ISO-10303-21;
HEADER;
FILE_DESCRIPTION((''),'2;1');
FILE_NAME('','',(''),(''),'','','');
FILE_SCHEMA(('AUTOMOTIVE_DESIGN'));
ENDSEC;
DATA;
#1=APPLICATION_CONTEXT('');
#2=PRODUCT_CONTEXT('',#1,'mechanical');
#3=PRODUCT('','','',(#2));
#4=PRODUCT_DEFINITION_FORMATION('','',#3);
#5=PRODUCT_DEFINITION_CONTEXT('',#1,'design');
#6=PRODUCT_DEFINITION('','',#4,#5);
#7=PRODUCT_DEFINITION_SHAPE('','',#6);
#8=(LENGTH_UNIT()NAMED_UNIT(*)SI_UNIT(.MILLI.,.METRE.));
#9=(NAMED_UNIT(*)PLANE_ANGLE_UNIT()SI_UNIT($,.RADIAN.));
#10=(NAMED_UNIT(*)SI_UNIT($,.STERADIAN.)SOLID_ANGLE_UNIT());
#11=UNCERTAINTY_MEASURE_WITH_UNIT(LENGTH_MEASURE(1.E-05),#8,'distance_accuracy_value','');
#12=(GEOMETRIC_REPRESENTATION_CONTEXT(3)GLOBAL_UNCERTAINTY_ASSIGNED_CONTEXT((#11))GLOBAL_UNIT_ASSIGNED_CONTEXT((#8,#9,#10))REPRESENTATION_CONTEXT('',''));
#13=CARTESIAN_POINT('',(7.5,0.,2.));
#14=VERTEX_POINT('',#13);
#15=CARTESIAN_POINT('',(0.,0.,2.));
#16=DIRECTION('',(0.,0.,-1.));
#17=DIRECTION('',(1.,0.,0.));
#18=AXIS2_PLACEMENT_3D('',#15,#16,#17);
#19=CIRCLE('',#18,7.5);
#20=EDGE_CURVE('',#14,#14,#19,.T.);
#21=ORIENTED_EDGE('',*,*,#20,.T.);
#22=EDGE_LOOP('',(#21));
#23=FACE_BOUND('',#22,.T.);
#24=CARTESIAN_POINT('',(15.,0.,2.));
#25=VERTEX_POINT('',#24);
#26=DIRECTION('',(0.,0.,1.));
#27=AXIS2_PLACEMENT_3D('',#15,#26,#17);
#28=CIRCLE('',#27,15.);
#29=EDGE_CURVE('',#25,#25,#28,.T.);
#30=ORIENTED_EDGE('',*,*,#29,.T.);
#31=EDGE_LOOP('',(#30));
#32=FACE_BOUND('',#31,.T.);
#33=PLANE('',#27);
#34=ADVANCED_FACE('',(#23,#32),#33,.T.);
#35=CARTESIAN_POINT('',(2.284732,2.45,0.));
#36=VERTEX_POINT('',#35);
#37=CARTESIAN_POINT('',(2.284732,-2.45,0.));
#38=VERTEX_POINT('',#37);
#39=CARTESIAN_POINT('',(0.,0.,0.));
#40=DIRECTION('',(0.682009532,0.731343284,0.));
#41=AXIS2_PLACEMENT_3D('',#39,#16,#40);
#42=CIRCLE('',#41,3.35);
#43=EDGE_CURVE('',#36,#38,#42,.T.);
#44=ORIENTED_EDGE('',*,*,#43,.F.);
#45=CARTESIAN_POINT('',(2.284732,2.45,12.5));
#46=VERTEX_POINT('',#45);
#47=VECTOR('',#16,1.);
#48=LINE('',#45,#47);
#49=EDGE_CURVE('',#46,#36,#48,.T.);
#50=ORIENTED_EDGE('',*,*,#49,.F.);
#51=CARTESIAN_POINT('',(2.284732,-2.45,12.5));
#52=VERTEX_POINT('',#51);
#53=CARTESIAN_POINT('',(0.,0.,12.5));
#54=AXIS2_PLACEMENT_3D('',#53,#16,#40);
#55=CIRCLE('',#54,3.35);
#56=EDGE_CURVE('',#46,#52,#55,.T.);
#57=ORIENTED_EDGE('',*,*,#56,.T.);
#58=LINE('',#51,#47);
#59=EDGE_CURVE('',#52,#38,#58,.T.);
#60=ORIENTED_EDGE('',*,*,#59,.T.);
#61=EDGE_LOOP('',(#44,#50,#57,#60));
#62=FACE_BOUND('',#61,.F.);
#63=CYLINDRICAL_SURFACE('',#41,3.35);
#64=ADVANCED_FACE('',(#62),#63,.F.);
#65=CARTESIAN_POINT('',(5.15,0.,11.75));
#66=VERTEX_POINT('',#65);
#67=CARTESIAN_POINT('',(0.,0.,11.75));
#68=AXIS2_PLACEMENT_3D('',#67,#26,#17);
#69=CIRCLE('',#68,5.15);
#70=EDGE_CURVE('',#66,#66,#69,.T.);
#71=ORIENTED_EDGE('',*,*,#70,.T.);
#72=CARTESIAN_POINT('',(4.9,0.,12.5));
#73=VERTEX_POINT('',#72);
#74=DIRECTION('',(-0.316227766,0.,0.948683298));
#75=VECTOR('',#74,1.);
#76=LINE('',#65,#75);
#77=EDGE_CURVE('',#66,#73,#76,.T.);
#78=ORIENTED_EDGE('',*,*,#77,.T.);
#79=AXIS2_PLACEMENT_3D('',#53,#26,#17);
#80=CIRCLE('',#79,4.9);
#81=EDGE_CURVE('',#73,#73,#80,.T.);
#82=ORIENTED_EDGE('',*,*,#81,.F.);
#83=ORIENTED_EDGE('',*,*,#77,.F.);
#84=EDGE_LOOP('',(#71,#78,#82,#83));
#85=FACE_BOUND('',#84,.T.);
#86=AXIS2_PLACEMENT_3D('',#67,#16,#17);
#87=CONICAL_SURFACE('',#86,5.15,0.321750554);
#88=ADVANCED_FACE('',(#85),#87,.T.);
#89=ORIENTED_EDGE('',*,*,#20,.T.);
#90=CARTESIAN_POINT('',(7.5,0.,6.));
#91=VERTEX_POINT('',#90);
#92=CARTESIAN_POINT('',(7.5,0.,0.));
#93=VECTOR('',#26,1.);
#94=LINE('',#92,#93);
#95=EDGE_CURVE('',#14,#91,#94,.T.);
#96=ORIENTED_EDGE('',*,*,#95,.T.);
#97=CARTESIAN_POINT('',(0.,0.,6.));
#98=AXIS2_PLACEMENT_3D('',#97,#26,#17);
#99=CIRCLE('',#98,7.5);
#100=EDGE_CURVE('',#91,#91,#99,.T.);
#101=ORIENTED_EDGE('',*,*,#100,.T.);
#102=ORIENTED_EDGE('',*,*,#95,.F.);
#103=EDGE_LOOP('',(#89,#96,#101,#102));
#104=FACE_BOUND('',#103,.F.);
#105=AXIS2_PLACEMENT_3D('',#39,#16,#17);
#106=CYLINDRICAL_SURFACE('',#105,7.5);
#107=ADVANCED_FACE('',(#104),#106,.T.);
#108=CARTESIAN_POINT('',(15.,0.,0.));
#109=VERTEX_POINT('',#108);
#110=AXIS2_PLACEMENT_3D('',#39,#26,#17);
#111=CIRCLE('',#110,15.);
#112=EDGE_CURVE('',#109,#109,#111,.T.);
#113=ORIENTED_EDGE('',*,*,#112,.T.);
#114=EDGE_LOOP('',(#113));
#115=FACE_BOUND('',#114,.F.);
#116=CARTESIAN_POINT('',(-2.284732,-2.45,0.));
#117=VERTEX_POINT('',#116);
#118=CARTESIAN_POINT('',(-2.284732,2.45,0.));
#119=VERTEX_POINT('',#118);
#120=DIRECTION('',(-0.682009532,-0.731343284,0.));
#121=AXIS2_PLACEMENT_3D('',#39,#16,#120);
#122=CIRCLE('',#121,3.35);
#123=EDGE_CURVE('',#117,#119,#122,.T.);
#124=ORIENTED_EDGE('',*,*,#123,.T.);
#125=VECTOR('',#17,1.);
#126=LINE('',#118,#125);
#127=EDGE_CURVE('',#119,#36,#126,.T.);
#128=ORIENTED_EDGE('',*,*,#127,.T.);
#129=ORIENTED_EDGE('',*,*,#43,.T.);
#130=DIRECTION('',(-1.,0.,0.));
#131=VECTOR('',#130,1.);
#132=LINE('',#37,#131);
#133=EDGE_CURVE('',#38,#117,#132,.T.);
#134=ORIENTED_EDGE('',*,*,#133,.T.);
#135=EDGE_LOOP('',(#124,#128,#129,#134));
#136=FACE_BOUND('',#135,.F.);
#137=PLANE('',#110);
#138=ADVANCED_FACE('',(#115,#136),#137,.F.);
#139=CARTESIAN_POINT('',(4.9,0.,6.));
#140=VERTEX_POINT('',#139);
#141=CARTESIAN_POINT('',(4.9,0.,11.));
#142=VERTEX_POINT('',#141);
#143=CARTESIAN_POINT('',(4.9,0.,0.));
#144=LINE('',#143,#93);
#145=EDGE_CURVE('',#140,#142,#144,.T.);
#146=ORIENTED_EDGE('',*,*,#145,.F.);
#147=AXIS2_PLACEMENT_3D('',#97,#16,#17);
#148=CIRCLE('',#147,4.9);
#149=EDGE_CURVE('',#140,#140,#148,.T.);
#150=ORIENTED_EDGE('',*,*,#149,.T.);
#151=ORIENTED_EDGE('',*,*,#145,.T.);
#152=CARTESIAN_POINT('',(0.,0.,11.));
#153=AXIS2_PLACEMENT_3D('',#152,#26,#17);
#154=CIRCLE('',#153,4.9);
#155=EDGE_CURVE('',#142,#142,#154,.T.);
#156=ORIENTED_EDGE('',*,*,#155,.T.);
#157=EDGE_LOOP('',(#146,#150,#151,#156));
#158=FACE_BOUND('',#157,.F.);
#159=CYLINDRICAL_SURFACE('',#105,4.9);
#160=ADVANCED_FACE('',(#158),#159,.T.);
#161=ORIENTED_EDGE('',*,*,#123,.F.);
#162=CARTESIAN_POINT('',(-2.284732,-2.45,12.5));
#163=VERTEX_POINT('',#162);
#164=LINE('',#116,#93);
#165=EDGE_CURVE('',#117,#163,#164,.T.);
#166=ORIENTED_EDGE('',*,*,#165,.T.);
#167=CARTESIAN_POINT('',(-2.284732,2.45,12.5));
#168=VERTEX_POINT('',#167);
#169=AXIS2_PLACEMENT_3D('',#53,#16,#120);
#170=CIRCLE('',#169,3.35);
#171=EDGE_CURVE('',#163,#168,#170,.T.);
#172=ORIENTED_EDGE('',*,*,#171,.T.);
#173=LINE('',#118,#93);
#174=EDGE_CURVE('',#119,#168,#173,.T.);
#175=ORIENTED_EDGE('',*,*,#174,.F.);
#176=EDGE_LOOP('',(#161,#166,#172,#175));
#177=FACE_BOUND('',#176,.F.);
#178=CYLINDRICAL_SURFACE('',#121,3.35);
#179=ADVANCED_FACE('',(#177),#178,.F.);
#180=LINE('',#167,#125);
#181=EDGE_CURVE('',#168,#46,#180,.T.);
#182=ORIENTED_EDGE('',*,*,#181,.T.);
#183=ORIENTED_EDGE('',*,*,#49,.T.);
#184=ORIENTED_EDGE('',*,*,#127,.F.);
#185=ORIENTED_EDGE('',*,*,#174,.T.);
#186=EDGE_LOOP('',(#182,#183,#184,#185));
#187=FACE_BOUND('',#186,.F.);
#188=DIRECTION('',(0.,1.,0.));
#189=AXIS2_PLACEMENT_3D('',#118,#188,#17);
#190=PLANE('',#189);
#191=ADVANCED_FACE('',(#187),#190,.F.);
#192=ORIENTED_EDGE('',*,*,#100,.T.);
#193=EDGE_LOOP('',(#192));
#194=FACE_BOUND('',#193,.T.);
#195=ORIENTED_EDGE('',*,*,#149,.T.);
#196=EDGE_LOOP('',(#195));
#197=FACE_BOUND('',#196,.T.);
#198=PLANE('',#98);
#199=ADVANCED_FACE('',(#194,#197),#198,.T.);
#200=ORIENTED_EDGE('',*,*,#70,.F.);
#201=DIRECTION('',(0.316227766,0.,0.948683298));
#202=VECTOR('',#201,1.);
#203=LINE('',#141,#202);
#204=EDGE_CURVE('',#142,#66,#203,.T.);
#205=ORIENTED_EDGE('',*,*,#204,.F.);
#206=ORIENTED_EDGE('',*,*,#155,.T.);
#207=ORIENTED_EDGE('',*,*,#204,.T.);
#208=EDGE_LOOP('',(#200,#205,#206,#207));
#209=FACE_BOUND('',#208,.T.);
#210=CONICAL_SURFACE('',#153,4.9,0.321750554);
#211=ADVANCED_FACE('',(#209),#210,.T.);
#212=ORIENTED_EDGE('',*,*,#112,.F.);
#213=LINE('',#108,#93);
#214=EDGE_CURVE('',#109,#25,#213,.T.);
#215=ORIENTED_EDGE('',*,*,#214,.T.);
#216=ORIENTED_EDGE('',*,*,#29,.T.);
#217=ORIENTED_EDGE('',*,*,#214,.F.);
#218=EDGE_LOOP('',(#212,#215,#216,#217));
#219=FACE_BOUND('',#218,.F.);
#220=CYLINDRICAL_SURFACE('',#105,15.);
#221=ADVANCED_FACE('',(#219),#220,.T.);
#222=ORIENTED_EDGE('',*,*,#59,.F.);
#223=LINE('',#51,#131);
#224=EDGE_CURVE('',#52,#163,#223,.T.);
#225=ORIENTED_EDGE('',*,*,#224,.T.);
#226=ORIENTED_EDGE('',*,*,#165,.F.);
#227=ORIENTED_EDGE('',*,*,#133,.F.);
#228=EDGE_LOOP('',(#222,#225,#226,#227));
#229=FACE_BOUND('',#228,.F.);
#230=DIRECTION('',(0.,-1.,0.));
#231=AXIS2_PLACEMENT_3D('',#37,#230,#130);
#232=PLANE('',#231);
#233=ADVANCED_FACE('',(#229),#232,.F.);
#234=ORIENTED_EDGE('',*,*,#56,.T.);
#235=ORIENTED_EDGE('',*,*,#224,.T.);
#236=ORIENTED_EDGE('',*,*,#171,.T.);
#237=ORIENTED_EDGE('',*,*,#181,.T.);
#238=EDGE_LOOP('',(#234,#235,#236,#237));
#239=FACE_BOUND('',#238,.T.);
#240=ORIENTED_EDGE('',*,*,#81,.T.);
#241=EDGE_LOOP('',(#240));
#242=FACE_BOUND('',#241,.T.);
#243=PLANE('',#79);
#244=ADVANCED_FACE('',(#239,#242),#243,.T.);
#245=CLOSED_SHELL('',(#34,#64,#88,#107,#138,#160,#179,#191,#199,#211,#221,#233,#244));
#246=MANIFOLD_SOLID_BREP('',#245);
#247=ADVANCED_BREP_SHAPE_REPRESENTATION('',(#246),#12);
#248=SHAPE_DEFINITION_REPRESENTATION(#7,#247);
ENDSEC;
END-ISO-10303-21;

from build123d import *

# Parameters (mm, degrees)
F3_R     = 15
F3_R_2   = 7.5
F3_R_3   = 4.9
F4_DEPTH = 2
F5_DEPTH = 6
F6_DEPTH = 12.5


with BuildPart() as f4:
    # F3 (on Top) → F4 (new body)
    with BuildSketch(Plane.XY):
        Circle(F3_R)
        Circle(F3_R_2, mode=Mode.SUBTRACT)
        Circle(F3_R_2)
        Circle(F3_R_3, mode=Mode.SUBTRACT)
        Circle(F3_R_3)
        with BuildLine():
            ThreePointArc((-2.2847319318, -2.45), (-3.35, 0), (-2.2847319318, 2.45))
            Line((-2.2847319318, 2.45), (2.2847319318, 2.45))
            ThreePointArc((2.2847319318, 2.45), (3.35, 0), (2.2847319318, -2.45))
            Line((2.2847319318, -2.45), (-2.2847319318, -2.45))
        make_face(mode=Mode.SUBTRACT)
    extrude(amount=F4_DEPTH)

    # F3 (on Top) → F5 (join)
    with BuildSketch(Plane.XY):
        Circle(F3_R_2)
        Circle(F3_R_3, mode=Mode.SUBTRACT)
        Circle(F3_R_3)
        with BuildLine():
            ThreePointArc((-2.2847319318, -2.45), (-3.35, 0), (-2.2847319318, 2.45))
            Line((-2.2847319318, 2.45), (2.2847319318, 2.45))
            ThreePointArc((2.2847319318, 2.45), (3.35, 0), (2.2847319318, -2.45))
            Line((2.2847319318, -2.45), (-2.2847319318, -2.45))
        make_face(mode=Mode.SUBTRACT)
    extrude(amount=F5_DEPTH)

    # F3 (on Top) → F6 (join)
    with BuildSketch(Plane.XY):
        Circle(F3_R_3)
        with BuildLine():
            ThreePointArc((-2.2847319318, -2.45), (-3.35, 0), (-2.2847319318, 2.45))
            Line((-2.2847319318, 2.45), (2.2847319318, 2.45))
            ThreePointArc((2.2847319318, 2.45), (3.35, 0), (2.2847319318, -2.45))
            Line((2.2847319318, -2.45), (-2.2847319318, -2.45))
        make_face(mode=Mode.SUBTRACT)
    extrude(amount=F6_DEPTH)

    # F7 (on Front) → F8 (revolve)
    with BuildSketch(Plane.XZ):
        Polygon((5.15, 11.75), (4.9, 12.5), (4.9, 11), align=None)
    revolve(axis=Axis((0, 0, 8.7542282417), (0, 0, 1)))


solid = f4.part
